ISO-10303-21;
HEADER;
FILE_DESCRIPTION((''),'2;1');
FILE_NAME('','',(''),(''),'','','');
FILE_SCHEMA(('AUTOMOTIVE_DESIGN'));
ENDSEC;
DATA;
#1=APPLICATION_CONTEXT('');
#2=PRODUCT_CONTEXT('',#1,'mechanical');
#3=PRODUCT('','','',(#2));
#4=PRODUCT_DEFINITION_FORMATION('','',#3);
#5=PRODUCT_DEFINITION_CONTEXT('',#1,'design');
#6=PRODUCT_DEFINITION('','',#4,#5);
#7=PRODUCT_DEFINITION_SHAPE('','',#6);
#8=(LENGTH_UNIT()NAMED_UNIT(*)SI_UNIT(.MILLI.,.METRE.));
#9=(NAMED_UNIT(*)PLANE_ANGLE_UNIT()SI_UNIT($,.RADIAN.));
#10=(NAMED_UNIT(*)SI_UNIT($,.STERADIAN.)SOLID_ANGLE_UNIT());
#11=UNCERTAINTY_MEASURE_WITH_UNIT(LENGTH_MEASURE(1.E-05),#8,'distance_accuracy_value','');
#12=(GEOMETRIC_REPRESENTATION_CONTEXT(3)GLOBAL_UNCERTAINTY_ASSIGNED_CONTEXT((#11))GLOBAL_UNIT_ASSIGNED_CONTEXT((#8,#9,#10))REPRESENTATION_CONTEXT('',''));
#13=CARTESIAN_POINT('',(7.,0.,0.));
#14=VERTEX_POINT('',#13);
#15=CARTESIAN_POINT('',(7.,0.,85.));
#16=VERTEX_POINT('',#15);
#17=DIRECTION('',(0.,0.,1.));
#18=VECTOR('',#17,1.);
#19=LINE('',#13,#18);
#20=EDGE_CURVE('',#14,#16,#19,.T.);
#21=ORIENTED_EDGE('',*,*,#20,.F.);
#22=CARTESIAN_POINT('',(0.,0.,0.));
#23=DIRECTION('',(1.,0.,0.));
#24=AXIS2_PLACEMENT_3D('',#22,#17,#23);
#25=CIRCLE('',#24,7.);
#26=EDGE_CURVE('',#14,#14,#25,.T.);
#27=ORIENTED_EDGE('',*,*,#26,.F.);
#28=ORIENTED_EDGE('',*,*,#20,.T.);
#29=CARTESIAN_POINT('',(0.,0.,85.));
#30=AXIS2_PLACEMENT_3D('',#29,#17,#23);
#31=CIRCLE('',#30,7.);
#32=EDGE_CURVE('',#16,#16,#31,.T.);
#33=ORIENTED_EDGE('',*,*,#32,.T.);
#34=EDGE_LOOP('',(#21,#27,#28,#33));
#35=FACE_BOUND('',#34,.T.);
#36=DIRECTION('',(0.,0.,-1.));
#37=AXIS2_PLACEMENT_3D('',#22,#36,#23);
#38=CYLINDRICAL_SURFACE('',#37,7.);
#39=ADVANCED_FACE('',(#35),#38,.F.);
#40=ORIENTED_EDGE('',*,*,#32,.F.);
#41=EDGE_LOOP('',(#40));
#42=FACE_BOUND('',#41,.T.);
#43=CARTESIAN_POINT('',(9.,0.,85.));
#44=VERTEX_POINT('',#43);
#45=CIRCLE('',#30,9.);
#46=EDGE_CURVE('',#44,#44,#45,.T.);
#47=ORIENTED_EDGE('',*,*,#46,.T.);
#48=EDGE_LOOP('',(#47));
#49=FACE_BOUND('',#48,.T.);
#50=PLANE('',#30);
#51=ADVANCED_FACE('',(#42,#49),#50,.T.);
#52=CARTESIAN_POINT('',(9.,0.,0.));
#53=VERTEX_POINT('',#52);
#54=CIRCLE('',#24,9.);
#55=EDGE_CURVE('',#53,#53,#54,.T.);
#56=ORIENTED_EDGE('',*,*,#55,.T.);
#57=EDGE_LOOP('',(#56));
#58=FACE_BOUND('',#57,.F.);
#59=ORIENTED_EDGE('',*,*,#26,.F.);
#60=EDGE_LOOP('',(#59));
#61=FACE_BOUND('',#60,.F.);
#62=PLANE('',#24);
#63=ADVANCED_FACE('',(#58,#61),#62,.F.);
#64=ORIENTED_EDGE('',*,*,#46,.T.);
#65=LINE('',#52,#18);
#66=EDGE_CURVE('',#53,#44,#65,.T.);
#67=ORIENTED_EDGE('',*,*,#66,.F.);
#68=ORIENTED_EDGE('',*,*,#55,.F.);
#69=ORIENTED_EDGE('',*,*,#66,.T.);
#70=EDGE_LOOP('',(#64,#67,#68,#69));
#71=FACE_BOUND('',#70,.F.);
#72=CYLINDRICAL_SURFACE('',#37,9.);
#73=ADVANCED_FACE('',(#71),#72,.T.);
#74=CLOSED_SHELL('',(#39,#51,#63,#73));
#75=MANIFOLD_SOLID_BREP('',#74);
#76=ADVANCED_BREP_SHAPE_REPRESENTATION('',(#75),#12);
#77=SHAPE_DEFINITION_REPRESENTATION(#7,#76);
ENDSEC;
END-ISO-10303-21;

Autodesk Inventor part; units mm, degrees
ref_plane "YZ Plane" through (0, 0, 0) normal (1, 0, 0) x (0, 1, 0)
ref_plane "XZ Plane" through (0, 0, 0) normal (0, 1, 0) x (-1, 0, 0)
ref_plane "XY Plane" through (0, 0, 0) normal (0, 0, 1) x (1, 0, 0)
sketch "Esboço1" plane through (0, 0, 0) normal (0, 0, 1) x (1, 0, 0)
  circle A0 centre (0, 0) radius 7
  circle A1 centre (0, 0) radius 9
  dimension "d0" = 14
  dimension "d1" = 18
extrude "Extrusão2" add sketch "Esboço1" along normal blind 85
